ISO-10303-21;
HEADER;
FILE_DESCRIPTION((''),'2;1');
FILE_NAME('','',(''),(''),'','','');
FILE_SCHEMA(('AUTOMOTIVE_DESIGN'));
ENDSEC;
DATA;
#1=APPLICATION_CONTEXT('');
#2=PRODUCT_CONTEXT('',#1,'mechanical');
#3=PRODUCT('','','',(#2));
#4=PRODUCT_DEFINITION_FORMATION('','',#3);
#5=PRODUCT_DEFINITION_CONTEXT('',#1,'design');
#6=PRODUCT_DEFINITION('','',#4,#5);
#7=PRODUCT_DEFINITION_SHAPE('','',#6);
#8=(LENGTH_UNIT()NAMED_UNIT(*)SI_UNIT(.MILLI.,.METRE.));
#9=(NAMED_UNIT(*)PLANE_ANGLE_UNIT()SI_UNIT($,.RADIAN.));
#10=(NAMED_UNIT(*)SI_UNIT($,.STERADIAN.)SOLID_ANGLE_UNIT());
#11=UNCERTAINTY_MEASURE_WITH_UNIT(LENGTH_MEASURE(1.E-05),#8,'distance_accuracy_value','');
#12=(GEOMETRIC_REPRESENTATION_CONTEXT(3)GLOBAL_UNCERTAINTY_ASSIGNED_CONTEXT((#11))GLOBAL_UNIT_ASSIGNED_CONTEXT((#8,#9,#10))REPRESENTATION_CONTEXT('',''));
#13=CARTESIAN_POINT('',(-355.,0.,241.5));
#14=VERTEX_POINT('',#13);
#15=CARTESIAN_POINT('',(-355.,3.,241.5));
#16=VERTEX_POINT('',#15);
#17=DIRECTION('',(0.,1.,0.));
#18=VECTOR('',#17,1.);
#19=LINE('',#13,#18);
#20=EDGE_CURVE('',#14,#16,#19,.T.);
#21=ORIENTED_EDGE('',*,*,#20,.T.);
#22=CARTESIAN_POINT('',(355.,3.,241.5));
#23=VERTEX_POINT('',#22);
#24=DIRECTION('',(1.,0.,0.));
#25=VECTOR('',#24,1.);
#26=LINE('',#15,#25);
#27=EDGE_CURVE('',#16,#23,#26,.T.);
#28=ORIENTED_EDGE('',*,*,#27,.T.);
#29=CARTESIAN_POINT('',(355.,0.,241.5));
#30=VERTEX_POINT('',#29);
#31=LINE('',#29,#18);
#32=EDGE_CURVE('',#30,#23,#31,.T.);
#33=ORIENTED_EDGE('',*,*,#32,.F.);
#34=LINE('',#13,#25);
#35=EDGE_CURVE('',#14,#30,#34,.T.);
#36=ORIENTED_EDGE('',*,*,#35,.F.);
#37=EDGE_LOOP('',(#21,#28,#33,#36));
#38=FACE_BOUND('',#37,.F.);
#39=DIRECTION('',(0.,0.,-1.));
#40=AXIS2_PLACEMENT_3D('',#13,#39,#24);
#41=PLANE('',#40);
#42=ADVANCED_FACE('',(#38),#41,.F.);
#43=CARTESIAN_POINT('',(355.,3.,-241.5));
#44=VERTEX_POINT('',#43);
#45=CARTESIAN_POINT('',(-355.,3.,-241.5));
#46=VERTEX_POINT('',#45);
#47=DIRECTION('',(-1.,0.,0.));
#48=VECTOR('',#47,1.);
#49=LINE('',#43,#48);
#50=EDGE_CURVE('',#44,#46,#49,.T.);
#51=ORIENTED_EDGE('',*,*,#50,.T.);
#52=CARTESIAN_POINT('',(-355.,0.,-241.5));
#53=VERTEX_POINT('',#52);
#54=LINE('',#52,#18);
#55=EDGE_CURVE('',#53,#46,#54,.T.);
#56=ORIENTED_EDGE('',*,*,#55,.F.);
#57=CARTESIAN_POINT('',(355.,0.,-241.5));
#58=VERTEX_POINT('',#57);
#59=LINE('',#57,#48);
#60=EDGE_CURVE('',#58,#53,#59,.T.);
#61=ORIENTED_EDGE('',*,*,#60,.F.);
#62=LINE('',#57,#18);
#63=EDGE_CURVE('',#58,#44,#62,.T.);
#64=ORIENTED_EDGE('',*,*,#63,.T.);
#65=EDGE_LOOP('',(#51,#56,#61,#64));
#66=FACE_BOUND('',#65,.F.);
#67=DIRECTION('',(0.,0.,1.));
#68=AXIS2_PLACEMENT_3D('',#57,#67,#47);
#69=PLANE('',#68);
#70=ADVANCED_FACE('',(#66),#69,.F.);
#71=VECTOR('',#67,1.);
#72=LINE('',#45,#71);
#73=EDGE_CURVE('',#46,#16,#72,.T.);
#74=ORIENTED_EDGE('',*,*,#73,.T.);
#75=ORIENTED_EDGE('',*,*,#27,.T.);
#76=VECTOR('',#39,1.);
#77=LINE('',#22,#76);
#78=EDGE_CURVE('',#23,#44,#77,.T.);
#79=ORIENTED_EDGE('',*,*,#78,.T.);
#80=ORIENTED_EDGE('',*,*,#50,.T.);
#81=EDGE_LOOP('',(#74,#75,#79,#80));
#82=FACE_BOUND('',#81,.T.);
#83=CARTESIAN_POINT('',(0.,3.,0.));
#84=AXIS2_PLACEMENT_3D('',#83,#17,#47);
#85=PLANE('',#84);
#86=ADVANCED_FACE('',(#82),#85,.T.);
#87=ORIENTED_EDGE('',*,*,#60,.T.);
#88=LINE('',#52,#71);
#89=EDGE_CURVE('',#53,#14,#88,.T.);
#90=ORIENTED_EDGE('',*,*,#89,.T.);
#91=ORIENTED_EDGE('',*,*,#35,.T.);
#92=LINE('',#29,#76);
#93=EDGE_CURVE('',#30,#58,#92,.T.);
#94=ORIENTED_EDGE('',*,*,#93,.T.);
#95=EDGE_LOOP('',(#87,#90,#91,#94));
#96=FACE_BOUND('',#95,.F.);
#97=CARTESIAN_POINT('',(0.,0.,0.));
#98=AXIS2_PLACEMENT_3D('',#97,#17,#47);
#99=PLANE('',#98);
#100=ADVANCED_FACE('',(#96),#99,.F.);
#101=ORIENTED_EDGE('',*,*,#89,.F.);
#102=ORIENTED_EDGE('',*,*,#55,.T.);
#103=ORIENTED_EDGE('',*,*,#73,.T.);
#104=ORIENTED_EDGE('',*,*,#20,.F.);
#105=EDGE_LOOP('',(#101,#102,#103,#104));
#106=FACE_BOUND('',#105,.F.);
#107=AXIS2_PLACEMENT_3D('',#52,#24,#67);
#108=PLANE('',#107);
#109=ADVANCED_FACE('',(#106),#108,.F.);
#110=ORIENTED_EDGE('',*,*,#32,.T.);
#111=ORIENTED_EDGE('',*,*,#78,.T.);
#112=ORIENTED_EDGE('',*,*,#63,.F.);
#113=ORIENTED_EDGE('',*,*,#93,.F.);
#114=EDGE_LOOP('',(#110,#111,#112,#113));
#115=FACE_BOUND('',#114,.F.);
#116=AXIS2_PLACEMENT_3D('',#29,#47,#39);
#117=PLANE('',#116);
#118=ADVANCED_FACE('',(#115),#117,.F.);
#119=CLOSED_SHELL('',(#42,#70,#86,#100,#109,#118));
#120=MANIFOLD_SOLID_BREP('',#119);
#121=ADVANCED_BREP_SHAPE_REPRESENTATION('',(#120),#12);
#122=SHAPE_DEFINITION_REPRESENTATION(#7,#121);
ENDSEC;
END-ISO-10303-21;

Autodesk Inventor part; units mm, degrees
ref_plane "YZ Plane" through (0, 0, 0) normal (1, 0, 0) x (0, 1, 0)
ref_plane "XZ Plane" through (0, 0, 0) normal (0, 1, 0) x (-1, 0, 0)
ref_plane "XY Plane" through (0, 0, 0) normal (0, 0, 1) x (1, 0, 0)
sketch "Sketch1" plane through (0, 0, 0) normal (0, 1, 0) x (-1, 0, 0)
  line L0 (355, 241.5) -> (-355, 241.5)
  line L1 (-355, 241.5) -> (-355, -241.5)
  line L2 (-355, -241.5) -> (355, -241.5)
  line L3 (355, -241.5) -> (355, 241.5)
  line L4 (355, 241.5) -> (-355, -241.5) construction
  line L5 (-355, 241.5) -> (355, -241.5) construction
  point P0 (0, 0)
  dimension "d0" = 710
  dimension "d1" = 483
extrude "Extrusion1" add sketch "Sketch1" along normal blind 3
properties part number "SP41V1 Goma Base" material "Rubber"
